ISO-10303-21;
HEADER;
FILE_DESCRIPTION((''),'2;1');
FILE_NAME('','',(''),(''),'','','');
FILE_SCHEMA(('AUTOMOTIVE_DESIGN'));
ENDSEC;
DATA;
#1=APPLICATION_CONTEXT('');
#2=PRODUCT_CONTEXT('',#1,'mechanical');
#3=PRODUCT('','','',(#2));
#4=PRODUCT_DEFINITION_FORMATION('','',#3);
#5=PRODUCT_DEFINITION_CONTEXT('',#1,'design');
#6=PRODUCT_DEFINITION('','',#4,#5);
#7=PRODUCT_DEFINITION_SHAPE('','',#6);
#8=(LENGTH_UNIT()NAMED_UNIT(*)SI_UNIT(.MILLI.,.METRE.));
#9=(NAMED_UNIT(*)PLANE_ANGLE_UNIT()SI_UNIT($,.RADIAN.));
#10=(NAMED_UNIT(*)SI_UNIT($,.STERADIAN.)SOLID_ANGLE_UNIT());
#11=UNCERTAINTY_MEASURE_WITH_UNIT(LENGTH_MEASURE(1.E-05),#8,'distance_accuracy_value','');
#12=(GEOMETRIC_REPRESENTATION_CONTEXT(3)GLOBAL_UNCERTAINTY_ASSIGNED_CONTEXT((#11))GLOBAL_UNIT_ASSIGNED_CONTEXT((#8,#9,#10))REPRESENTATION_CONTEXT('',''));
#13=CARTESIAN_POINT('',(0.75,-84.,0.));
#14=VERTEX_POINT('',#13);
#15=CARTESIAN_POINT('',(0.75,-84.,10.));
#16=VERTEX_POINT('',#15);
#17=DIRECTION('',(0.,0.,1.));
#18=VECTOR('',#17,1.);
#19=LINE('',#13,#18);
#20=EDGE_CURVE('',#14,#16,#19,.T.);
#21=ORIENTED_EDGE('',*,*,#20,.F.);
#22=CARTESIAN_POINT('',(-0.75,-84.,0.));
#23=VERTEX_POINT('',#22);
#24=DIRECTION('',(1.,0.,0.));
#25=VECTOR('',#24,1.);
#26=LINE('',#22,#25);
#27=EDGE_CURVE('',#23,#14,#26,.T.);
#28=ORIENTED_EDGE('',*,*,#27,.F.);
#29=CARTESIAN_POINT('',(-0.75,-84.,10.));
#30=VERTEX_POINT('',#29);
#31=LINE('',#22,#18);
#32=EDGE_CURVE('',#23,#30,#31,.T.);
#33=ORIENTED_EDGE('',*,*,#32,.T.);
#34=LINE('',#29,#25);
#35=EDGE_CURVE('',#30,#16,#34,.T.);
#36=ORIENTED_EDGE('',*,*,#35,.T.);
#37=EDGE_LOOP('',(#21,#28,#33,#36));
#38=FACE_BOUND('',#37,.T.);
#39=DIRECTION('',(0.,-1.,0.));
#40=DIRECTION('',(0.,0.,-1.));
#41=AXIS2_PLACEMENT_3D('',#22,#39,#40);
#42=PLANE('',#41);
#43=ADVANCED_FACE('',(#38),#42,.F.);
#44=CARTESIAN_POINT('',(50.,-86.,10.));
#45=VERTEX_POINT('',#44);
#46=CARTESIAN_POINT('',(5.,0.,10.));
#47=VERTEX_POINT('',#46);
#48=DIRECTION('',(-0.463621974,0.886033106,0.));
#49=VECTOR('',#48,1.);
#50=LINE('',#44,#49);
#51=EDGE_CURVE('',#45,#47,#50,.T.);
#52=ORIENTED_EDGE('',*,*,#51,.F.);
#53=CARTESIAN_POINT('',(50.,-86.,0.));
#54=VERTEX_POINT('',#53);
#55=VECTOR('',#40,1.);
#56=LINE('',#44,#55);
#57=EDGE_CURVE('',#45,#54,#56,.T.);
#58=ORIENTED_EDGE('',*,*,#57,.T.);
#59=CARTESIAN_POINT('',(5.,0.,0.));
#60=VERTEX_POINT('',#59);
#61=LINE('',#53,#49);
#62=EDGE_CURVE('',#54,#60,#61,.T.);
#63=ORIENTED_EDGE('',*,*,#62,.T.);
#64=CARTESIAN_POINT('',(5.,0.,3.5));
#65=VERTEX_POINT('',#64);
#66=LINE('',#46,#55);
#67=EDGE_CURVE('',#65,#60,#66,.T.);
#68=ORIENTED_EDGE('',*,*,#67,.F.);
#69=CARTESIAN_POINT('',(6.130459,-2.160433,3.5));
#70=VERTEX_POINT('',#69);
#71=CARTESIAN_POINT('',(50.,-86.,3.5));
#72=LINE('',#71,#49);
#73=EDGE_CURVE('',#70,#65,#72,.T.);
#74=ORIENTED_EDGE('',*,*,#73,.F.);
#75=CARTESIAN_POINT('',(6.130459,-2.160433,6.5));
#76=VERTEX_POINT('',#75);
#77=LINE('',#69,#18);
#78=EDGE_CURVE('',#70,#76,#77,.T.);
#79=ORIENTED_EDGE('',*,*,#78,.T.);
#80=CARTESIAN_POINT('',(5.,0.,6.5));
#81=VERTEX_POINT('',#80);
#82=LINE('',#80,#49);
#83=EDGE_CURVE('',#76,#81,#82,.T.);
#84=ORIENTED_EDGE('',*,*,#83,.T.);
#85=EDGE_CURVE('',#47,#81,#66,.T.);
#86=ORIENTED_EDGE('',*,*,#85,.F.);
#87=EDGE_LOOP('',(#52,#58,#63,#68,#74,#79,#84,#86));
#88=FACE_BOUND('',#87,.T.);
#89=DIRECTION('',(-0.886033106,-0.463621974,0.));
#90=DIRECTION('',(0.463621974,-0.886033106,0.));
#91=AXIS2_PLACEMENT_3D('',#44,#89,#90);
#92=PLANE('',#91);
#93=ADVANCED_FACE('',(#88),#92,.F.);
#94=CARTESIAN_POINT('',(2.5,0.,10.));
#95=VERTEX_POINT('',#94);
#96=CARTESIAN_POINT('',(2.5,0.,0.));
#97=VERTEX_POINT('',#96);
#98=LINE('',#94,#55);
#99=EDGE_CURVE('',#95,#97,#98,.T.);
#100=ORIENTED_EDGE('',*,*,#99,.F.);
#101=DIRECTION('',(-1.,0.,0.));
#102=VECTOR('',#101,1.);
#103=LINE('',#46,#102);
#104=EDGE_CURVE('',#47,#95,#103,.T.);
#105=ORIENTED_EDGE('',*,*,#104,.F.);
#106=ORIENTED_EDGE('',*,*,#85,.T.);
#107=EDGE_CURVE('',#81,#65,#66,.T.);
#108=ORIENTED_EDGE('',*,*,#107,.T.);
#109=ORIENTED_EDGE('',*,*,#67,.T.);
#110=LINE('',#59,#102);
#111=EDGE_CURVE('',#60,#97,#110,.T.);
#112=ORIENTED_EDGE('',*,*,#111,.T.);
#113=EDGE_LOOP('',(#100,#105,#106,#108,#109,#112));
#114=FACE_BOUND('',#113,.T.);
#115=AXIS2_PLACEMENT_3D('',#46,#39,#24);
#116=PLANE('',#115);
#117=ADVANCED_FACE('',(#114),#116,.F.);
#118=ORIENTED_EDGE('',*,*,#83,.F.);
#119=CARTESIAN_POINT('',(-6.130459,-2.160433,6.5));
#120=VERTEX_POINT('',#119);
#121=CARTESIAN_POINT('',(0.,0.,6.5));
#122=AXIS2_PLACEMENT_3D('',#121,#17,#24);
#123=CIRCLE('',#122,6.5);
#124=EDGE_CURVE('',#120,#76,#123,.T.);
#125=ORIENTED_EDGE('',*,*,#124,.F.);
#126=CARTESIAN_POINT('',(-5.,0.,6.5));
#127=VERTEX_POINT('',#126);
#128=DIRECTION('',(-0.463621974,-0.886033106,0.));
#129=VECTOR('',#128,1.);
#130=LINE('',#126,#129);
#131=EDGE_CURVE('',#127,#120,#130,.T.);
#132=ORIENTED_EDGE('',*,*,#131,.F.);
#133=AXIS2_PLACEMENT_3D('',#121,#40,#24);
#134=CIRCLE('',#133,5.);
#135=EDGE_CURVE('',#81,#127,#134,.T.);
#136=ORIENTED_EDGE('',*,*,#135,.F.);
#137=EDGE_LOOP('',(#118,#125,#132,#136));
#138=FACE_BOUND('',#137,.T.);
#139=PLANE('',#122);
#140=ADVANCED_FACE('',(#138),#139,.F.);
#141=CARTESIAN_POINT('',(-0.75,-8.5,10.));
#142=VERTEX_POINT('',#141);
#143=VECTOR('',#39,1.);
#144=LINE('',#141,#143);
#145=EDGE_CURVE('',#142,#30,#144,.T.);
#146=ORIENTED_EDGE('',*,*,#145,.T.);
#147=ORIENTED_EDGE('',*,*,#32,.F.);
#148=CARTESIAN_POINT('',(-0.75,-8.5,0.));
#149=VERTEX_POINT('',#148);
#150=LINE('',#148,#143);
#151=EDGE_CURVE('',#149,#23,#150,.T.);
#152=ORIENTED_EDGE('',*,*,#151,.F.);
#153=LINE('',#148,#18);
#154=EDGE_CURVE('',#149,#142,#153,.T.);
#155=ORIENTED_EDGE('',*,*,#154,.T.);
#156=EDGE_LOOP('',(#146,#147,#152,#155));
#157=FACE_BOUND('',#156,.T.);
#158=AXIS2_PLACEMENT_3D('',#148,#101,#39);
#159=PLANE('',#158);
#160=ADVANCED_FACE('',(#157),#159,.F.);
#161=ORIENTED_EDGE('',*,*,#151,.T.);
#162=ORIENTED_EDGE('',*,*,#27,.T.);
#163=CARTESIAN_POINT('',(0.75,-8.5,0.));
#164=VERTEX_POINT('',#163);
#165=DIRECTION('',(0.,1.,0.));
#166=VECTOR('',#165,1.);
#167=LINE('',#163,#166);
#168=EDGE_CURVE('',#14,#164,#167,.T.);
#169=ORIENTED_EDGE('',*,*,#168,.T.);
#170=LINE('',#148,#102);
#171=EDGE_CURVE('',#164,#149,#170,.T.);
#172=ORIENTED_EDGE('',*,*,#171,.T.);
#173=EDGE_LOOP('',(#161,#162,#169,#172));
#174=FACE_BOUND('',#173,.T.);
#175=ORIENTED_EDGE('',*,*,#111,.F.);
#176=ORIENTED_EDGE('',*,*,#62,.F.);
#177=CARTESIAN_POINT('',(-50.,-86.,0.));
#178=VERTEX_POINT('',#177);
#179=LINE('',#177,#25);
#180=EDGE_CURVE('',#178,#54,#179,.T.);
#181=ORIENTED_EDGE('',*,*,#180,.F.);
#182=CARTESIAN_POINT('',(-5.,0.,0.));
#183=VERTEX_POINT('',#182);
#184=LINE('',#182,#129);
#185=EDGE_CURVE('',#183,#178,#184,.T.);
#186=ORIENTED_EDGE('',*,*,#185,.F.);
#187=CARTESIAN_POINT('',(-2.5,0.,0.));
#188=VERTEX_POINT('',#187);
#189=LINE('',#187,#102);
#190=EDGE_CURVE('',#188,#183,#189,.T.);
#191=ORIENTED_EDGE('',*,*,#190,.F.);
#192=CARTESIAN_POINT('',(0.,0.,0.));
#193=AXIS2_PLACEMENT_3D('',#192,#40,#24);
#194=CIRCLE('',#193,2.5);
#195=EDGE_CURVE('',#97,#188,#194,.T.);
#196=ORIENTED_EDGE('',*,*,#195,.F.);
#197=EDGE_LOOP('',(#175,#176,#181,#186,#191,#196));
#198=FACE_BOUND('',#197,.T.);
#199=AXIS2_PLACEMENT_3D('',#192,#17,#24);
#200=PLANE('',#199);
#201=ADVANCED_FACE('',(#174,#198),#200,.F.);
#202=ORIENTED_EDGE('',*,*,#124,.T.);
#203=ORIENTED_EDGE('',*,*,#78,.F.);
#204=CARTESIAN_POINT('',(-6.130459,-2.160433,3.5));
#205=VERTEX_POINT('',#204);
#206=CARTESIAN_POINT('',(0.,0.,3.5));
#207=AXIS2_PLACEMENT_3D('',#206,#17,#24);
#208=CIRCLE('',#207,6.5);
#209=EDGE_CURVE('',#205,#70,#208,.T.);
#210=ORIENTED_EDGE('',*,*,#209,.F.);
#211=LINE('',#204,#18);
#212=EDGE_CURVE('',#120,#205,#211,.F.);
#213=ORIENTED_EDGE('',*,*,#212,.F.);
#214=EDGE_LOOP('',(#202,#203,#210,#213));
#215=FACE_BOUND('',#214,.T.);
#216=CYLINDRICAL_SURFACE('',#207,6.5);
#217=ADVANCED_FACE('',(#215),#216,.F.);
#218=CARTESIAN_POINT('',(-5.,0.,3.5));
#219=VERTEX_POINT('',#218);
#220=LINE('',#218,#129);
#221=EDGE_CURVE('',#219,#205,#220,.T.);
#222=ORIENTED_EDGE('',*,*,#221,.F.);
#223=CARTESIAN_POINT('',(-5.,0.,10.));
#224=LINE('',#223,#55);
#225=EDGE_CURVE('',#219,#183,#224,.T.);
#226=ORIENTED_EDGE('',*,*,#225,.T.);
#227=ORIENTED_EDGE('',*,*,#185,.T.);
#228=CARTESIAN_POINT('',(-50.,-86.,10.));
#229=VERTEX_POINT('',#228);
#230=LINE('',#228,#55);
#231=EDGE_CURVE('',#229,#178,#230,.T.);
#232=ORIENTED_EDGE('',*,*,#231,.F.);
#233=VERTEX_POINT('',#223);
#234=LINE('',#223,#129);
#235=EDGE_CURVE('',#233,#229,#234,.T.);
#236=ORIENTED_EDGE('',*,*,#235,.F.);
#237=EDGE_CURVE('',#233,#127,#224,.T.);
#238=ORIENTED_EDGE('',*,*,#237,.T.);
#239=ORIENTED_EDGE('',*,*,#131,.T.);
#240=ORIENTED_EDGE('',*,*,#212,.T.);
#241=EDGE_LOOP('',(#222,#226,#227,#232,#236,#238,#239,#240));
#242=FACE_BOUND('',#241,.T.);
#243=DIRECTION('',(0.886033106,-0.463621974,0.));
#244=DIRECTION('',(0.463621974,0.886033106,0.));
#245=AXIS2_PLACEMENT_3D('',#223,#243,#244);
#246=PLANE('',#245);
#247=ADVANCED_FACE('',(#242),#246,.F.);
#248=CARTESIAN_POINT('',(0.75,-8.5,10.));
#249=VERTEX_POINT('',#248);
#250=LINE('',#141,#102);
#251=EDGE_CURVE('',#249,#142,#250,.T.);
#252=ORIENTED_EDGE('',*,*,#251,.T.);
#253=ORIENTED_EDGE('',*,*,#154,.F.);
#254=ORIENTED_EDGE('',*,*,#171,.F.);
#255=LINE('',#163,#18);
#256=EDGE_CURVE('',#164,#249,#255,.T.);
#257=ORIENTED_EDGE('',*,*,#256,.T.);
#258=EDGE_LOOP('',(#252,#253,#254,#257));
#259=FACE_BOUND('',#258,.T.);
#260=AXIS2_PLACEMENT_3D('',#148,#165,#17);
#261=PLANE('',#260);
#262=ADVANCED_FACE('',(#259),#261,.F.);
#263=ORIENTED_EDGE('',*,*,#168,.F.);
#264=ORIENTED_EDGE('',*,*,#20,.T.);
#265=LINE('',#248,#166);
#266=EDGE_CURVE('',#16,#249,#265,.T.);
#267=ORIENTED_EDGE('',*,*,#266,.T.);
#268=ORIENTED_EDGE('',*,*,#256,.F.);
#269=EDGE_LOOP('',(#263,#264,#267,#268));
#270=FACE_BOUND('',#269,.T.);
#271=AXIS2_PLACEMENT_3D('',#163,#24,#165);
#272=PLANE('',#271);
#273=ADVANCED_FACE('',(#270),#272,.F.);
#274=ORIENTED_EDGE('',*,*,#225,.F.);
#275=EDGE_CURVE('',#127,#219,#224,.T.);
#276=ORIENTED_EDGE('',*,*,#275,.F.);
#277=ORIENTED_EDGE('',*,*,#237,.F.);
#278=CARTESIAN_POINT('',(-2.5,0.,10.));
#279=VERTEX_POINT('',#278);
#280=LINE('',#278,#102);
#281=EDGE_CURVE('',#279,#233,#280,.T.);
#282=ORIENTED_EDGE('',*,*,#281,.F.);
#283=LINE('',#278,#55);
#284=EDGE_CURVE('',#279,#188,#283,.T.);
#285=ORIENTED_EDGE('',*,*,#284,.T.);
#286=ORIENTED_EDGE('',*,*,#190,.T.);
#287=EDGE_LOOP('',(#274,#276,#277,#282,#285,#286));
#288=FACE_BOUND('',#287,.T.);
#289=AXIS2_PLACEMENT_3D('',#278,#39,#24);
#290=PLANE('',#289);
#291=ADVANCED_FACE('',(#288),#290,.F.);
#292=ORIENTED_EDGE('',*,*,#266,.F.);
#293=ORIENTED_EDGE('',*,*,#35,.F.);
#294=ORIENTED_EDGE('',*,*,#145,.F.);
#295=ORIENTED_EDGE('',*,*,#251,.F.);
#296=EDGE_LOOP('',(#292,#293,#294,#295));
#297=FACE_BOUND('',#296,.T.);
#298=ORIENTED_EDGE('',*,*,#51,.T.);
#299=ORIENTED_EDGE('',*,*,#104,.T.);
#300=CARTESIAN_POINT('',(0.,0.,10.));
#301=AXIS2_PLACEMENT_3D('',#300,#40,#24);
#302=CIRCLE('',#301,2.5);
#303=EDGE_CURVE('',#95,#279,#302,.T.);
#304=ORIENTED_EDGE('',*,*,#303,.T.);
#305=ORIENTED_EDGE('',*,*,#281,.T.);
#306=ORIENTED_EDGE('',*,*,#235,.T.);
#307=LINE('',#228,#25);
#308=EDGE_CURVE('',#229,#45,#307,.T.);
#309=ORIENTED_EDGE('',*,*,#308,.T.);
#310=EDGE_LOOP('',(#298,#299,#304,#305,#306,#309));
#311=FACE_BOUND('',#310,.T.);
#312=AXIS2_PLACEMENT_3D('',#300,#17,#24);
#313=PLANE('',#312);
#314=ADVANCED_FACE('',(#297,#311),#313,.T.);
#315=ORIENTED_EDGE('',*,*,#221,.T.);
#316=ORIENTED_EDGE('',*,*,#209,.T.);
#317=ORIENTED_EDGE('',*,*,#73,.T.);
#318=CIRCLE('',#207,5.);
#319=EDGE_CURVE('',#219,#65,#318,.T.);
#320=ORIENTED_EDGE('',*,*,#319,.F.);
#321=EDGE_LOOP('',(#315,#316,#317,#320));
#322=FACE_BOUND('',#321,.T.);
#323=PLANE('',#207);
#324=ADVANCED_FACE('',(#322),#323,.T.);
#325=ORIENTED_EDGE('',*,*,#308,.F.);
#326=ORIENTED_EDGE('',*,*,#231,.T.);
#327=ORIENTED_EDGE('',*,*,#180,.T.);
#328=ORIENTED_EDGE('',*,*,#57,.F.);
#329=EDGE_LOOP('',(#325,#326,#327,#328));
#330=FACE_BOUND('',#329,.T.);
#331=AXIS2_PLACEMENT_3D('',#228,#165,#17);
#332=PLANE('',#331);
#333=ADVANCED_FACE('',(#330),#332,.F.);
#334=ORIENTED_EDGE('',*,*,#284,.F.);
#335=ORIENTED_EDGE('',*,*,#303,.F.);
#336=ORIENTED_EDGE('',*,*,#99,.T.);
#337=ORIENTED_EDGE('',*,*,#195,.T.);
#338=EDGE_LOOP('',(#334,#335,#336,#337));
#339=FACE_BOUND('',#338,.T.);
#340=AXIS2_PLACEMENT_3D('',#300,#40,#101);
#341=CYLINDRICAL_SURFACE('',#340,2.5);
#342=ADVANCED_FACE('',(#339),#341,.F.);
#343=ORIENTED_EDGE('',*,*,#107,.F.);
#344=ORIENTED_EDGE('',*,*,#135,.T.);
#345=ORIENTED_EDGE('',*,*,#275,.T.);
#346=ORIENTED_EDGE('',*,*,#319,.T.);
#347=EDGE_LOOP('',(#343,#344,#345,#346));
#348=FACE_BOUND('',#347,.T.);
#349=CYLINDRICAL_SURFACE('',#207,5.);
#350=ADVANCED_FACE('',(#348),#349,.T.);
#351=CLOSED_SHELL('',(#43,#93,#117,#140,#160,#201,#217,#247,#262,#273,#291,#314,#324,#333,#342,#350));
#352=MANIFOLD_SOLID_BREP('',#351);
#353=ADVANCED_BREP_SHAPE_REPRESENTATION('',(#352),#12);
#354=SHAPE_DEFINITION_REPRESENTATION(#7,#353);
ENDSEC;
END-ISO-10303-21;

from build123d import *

# Parameters (mm, degrees)
BOSS_EXTRUDE1_DEPTH = 10
SKETCH2_R           = 6.5
SKETCH2_R_2         = 5
CUT_EXTRUDE1_DEPTH  = 6.5
BOSS_EXTRUDE2_DEPTH = 3.5
SKETCH4_W           = 1.5
SKETCH4_H           = 75.5
CUT_EXTRUDE2_DEPTH  = 11


with BuildPart() as part:
    # Sketch1 → Boss-Extrude1 (new body)
    with BuildSketch(Plane.XY):
        with BuildLine():
            Line((-50, -86), (50, -86))
            Line((50, -86), (5, 0))
            Line((5, 0), (2.5, 0))
            ThreePointArc((2.5, 0), (0, -2.5), (-2.5, 0))
            Line((-2.5, 0), (-5, 0))
            Line((-5, 0), (-50, -86))
        make_face()
    extrude(amount=BOSS_EXTRUDE1_DEPTH)

    # Sketch2 → Cut-Extrude1 (cut)
    with BuildSketch(Plane.XY.offset(10)):
        Circle(SKETCH2_R)
        Circle(SKETCH2_R_2, mode=Mode.SUBTRACT)
    extrude(amount=-CUT_EXTRUDE1_DEPTH, mode=Mode.SUBTRACT)

    # Sketch3 → Boss-Extrude2 (add)
    with BuildSketch(Plane.XY.offset(10)):
        with BuildLine():
            Line((5, 0), (6.130459134, -2.160433012))
            ThreePointArc((6.130459134, -2.160433012), (0, -6.5), (-6.130459134, -2.160433012))
            Line((-6.130459134, -2.160433012), (-5, 0))
            ThreePointArc((-5, 0), (0, -5), (5, 0))
        make_face()
    extrude(amount=-BOSS_EXTRUDE2_DEPTH)

    # Sketch4 → Cut-Extrude2 (cut, through all)
    with BuildSketch(Plane.XY.offset(10)):
        with Locations((0, -46.25)):
            Rectangle(SKETCH4_W, SKETCH4_H)
    extrude(amount=-CUT_EXTRUDE2_DEPTH, mode=Mode.SUBTRACT)


solid = part.part
